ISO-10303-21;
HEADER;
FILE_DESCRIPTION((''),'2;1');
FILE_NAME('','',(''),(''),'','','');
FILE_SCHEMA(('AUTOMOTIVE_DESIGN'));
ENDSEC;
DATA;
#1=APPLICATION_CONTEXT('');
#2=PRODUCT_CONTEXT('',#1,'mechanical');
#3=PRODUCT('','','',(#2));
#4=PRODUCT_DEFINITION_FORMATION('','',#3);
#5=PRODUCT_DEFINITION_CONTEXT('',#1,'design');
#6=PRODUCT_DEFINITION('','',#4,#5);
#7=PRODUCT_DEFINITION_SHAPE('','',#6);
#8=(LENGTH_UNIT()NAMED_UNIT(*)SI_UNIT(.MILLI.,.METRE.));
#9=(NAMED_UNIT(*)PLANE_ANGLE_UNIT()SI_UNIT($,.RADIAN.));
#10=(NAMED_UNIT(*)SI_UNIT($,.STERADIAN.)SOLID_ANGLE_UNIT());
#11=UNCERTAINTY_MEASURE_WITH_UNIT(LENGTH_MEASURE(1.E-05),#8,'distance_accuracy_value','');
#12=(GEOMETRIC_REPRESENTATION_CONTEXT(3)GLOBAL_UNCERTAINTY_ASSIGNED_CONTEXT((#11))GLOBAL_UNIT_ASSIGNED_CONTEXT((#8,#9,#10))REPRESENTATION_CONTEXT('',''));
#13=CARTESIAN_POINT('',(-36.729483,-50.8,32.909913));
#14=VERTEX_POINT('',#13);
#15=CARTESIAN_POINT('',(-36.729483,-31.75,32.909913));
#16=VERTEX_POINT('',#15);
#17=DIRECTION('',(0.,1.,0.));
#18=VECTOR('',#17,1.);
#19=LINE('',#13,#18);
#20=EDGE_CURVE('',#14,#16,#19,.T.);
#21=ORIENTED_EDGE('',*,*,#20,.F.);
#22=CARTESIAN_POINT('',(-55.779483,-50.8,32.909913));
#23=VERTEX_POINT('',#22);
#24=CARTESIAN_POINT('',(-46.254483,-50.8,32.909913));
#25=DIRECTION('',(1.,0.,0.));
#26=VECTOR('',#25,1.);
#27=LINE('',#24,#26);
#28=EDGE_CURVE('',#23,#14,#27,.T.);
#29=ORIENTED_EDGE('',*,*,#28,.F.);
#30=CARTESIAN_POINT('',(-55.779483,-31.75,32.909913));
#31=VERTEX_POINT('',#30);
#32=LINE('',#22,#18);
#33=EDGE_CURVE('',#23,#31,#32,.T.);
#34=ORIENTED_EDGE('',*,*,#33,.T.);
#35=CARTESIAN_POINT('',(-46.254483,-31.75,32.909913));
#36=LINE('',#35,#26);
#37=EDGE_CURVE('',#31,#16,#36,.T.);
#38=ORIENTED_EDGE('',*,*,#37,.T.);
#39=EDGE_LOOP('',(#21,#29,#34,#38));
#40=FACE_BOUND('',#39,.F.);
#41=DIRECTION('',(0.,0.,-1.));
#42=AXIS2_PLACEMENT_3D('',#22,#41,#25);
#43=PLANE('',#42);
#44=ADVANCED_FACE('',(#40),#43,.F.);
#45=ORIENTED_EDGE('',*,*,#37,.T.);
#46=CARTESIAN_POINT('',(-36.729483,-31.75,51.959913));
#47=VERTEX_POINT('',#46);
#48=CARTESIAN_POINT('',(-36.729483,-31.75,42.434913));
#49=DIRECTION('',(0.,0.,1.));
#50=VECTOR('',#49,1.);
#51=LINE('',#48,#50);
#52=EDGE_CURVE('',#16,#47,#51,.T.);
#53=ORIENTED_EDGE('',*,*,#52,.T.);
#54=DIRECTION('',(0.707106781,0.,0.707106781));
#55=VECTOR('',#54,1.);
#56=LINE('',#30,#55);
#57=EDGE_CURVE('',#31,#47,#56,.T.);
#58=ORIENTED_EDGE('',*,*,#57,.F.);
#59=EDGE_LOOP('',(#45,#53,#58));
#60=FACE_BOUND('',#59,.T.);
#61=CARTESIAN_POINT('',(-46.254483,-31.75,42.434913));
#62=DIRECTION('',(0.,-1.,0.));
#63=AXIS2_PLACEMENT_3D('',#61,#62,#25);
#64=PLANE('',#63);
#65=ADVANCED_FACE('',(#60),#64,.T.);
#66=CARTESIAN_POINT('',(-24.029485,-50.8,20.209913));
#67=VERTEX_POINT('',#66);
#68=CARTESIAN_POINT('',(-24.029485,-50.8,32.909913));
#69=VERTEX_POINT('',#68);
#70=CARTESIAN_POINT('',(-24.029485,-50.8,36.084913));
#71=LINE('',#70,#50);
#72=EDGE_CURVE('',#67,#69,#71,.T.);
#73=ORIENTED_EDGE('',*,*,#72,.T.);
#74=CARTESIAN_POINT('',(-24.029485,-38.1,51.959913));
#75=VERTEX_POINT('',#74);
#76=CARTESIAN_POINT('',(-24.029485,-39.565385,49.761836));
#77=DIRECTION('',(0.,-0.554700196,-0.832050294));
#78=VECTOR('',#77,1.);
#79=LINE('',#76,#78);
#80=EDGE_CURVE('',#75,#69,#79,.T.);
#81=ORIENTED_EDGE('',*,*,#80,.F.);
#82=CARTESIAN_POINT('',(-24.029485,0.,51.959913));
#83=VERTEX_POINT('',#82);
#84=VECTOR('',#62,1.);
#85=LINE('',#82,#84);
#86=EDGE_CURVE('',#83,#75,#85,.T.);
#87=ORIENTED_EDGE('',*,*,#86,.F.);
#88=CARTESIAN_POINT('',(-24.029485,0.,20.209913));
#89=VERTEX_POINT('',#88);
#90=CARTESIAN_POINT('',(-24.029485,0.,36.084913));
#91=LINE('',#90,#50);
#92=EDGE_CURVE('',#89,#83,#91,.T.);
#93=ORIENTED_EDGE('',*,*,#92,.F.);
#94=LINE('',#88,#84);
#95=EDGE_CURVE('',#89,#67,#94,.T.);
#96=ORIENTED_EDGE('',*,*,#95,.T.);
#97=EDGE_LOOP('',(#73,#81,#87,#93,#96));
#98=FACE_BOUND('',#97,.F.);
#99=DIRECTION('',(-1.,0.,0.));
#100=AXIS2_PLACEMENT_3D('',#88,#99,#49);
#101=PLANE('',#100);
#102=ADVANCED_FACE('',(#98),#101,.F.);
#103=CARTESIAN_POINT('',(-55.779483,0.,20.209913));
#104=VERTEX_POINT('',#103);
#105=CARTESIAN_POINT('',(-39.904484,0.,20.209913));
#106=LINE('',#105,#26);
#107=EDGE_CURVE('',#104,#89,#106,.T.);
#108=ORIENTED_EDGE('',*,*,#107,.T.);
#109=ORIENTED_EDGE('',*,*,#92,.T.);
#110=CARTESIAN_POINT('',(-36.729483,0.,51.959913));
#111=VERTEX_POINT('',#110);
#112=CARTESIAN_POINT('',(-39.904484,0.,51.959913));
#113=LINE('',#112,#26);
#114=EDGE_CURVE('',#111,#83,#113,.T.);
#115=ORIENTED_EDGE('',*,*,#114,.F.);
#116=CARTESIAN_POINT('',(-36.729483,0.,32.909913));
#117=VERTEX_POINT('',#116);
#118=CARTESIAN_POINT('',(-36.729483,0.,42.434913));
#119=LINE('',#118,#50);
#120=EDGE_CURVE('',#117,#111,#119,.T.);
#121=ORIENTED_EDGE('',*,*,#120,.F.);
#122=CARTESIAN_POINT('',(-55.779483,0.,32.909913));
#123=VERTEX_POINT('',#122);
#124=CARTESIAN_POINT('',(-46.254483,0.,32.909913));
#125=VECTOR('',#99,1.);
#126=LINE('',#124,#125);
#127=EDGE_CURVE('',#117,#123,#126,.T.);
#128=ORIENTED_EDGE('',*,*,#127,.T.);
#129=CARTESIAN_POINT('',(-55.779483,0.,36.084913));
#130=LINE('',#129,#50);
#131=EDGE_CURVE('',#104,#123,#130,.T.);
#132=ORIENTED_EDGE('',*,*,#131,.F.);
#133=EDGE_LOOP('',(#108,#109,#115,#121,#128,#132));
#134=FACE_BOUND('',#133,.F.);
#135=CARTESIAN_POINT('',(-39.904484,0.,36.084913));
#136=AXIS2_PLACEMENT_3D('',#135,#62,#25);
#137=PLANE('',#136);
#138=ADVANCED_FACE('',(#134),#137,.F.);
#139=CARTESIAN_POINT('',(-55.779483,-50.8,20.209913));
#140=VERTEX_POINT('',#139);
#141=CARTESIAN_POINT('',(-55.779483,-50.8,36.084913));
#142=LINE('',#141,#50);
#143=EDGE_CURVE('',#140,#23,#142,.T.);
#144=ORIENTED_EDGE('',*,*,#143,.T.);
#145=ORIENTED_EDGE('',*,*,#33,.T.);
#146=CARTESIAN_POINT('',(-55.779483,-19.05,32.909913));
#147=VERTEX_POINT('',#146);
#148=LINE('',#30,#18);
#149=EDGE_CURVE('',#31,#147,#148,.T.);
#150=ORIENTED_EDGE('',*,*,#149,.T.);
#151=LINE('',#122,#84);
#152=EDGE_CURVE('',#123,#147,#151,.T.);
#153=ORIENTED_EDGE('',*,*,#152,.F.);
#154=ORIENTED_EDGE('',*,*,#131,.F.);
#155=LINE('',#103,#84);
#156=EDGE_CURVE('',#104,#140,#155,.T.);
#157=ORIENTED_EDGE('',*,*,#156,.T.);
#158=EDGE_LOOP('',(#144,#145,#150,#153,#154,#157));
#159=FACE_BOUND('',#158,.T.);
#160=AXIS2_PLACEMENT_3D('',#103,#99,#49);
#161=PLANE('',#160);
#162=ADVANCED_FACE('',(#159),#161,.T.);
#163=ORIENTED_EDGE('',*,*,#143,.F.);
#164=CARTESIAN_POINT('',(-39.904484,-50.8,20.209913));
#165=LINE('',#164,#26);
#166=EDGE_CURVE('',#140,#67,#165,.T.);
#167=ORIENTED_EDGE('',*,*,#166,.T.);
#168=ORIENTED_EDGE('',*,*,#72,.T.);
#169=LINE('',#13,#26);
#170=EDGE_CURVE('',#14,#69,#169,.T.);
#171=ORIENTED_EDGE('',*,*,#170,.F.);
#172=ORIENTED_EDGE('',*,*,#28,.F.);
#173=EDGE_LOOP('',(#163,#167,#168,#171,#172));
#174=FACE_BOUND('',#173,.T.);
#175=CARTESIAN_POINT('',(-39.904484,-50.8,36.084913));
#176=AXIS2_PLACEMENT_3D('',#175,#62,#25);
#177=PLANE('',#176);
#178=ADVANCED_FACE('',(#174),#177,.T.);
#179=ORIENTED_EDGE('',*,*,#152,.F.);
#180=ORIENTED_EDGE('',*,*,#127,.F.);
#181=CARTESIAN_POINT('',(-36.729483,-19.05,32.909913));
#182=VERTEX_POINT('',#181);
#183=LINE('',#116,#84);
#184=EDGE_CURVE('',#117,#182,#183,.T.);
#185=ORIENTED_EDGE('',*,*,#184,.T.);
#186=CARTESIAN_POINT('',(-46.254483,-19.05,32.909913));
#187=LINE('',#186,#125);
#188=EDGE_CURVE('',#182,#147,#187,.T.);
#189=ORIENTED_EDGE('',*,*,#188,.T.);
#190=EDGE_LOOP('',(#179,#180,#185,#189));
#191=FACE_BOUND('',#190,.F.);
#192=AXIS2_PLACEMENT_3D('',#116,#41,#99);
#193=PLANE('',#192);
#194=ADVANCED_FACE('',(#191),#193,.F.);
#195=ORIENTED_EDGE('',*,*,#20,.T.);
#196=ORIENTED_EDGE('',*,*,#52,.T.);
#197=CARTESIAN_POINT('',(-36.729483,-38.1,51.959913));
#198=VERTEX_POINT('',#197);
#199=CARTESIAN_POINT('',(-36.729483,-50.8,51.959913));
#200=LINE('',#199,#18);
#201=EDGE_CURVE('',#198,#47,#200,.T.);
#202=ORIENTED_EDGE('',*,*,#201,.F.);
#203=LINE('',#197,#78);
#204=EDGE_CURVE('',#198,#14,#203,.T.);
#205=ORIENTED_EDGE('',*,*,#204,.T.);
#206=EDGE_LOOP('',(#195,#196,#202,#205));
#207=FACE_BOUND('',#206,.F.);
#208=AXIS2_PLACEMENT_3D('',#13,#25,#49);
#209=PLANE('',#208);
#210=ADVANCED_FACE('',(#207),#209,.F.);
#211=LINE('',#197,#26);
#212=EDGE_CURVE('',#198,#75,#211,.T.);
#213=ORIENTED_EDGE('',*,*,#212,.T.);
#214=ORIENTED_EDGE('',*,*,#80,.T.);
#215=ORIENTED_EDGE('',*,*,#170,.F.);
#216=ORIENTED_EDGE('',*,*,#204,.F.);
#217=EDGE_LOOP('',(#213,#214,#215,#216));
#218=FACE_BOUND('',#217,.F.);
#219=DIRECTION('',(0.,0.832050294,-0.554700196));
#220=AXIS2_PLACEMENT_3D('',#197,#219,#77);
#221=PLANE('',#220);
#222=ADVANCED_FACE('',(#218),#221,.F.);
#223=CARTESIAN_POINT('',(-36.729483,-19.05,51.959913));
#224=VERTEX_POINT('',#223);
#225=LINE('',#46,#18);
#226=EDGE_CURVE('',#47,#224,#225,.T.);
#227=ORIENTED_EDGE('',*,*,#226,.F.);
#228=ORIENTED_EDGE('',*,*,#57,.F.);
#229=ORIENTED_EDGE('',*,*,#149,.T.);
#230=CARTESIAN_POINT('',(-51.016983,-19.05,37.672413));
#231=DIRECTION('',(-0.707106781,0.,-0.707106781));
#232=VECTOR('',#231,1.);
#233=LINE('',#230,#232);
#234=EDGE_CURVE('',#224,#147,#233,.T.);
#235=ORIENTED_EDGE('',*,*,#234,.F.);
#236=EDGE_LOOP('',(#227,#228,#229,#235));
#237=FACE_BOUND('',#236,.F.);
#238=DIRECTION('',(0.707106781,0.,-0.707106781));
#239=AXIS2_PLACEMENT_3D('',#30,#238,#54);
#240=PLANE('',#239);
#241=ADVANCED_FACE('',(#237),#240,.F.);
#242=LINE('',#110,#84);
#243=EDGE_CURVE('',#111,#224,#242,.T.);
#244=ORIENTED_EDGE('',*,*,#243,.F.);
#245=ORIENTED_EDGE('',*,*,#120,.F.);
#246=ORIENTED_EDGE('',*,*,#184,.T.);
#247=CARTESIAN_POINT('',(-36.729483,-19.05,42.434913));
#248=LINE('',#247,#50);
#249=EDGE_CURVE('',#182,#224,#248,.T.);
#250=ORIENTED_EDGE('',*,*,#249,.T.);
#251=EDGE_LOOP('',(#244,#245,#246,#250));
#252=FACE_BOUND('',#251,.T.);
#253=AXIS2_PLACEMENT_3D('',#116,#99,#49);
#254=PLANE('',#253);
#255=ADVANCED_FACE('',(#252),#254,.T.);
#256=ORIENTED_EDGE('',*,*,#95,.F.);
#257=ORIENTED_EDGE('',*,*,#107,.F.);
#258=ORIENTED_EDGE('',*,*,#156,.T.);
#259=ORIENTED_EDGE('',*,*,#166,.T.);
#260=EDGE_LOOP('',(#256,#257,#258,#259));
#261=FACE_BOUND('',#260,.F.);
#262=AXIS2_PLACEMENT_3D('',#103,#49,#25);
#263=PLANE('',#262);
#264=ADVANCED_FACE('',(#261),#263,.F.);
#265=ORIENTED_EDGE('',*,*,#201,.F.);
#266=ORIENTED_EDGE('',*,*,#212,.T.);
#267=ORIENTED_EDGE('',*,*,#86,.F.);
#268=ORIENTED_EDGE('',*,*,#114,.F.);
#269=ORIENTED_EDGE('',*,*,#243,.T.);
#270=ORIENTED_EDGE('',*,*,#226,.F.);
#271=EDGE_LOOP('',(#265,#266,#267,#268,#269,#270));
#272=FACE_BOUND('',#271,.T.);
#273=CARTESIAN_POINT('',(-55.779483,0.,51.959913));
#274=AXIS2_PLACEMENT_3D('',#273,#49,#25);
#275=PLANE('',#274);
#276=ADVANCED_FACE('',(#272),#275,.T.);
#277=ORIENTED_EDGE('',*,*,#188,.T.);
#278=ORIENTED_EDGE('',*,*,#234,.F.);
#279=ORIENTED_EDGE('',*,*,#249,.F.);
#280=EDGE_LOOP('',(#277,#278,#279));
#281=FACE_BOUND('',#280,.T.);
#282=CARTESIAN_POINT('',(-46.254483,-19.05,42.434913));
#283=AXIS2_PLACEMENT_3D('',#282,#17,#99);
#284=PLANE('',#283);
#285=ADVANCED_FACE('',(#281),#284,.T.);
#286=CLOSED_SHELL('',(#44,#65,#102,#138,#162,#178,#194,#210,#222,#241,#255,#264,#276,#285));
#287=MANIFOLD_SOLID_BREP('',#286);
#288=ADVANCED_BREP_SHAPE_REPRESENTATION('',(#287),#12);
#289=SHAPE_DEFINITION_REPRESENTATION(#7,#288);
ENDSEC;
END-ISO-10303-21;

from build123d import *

# Parameters (mm, degrees)
F0_W     = 31.7499981381
F0_H     = 31.75
F1_DEPTH = 50.8
F2_W     = 19.05
F2_H     = 19.05
F3_DEPTH = 19.05
F4_W     = 19.05
F4_H     = 19.05
F5_DEPTH = 19.05
F7_DEPTH = 31.751
F9_DEPTH = 12.7009981381


with BuildPart() as f1:
    # F0 (on Front) → F1 (new body)
    with BuildSketch(Plane.XZ):
        with Locations((-39.904483594, 36.0849127173)):
            Rectangle(F0_W, F0_H)
    extrude(amount=F1_DEPTH)

    # F2 (on face) → F3 (cut)
    with BuildSketch(Plane.XZ.offset(50.8)):
        with Locations((-46.2544826631, 42.4349127173)):
            Rectangle(F2_W, F2_H)
    extrude(amount=-F3_DEPTH, mode=Mode.SUBTRACT)

    # F4 (on face) → F5 (cut)
    with BuildSketch(Plane(origin=(0, 0, 0), x_dir=(-1, 0, 0), z_dir=(0, 1, 0))):
        with Locations((46.2544826631, 42.4349127173)):
            Rectangle(F4_W, F4_H)
    extrude(amount=-F5_DEPTH, mode=Mode.SUBTRACT)

    # F6 (on face) → F7 (cut, through all)
    with BuildSketch(Plane.XZ.offset(31.75)):
        Polygon((-55.7794826631, 32.9099127173), (-36.7294826631, 51.9599127173), (-55.7794826631, 51.9599127173), align=None)
    extrude(amount=-F7_DEPTH, mode=Mode.SUBTRACT)

    # F8 (on face) → F9 (cut, through all)
    with BuildSketch(Plane(origin=(-36.7294826631, 0, 0), x_dir=(0, -1, 0), z_dir=(-1, 0, 0))):
        Polygon((50.8, 51.9599127173), (38.1, 51.9599127173), (50.8, 32.9099127173), align=None)
    extrude(amount=-F9_DEPTH, mode=Mode.SUBTRACT)


solid = f1.part
